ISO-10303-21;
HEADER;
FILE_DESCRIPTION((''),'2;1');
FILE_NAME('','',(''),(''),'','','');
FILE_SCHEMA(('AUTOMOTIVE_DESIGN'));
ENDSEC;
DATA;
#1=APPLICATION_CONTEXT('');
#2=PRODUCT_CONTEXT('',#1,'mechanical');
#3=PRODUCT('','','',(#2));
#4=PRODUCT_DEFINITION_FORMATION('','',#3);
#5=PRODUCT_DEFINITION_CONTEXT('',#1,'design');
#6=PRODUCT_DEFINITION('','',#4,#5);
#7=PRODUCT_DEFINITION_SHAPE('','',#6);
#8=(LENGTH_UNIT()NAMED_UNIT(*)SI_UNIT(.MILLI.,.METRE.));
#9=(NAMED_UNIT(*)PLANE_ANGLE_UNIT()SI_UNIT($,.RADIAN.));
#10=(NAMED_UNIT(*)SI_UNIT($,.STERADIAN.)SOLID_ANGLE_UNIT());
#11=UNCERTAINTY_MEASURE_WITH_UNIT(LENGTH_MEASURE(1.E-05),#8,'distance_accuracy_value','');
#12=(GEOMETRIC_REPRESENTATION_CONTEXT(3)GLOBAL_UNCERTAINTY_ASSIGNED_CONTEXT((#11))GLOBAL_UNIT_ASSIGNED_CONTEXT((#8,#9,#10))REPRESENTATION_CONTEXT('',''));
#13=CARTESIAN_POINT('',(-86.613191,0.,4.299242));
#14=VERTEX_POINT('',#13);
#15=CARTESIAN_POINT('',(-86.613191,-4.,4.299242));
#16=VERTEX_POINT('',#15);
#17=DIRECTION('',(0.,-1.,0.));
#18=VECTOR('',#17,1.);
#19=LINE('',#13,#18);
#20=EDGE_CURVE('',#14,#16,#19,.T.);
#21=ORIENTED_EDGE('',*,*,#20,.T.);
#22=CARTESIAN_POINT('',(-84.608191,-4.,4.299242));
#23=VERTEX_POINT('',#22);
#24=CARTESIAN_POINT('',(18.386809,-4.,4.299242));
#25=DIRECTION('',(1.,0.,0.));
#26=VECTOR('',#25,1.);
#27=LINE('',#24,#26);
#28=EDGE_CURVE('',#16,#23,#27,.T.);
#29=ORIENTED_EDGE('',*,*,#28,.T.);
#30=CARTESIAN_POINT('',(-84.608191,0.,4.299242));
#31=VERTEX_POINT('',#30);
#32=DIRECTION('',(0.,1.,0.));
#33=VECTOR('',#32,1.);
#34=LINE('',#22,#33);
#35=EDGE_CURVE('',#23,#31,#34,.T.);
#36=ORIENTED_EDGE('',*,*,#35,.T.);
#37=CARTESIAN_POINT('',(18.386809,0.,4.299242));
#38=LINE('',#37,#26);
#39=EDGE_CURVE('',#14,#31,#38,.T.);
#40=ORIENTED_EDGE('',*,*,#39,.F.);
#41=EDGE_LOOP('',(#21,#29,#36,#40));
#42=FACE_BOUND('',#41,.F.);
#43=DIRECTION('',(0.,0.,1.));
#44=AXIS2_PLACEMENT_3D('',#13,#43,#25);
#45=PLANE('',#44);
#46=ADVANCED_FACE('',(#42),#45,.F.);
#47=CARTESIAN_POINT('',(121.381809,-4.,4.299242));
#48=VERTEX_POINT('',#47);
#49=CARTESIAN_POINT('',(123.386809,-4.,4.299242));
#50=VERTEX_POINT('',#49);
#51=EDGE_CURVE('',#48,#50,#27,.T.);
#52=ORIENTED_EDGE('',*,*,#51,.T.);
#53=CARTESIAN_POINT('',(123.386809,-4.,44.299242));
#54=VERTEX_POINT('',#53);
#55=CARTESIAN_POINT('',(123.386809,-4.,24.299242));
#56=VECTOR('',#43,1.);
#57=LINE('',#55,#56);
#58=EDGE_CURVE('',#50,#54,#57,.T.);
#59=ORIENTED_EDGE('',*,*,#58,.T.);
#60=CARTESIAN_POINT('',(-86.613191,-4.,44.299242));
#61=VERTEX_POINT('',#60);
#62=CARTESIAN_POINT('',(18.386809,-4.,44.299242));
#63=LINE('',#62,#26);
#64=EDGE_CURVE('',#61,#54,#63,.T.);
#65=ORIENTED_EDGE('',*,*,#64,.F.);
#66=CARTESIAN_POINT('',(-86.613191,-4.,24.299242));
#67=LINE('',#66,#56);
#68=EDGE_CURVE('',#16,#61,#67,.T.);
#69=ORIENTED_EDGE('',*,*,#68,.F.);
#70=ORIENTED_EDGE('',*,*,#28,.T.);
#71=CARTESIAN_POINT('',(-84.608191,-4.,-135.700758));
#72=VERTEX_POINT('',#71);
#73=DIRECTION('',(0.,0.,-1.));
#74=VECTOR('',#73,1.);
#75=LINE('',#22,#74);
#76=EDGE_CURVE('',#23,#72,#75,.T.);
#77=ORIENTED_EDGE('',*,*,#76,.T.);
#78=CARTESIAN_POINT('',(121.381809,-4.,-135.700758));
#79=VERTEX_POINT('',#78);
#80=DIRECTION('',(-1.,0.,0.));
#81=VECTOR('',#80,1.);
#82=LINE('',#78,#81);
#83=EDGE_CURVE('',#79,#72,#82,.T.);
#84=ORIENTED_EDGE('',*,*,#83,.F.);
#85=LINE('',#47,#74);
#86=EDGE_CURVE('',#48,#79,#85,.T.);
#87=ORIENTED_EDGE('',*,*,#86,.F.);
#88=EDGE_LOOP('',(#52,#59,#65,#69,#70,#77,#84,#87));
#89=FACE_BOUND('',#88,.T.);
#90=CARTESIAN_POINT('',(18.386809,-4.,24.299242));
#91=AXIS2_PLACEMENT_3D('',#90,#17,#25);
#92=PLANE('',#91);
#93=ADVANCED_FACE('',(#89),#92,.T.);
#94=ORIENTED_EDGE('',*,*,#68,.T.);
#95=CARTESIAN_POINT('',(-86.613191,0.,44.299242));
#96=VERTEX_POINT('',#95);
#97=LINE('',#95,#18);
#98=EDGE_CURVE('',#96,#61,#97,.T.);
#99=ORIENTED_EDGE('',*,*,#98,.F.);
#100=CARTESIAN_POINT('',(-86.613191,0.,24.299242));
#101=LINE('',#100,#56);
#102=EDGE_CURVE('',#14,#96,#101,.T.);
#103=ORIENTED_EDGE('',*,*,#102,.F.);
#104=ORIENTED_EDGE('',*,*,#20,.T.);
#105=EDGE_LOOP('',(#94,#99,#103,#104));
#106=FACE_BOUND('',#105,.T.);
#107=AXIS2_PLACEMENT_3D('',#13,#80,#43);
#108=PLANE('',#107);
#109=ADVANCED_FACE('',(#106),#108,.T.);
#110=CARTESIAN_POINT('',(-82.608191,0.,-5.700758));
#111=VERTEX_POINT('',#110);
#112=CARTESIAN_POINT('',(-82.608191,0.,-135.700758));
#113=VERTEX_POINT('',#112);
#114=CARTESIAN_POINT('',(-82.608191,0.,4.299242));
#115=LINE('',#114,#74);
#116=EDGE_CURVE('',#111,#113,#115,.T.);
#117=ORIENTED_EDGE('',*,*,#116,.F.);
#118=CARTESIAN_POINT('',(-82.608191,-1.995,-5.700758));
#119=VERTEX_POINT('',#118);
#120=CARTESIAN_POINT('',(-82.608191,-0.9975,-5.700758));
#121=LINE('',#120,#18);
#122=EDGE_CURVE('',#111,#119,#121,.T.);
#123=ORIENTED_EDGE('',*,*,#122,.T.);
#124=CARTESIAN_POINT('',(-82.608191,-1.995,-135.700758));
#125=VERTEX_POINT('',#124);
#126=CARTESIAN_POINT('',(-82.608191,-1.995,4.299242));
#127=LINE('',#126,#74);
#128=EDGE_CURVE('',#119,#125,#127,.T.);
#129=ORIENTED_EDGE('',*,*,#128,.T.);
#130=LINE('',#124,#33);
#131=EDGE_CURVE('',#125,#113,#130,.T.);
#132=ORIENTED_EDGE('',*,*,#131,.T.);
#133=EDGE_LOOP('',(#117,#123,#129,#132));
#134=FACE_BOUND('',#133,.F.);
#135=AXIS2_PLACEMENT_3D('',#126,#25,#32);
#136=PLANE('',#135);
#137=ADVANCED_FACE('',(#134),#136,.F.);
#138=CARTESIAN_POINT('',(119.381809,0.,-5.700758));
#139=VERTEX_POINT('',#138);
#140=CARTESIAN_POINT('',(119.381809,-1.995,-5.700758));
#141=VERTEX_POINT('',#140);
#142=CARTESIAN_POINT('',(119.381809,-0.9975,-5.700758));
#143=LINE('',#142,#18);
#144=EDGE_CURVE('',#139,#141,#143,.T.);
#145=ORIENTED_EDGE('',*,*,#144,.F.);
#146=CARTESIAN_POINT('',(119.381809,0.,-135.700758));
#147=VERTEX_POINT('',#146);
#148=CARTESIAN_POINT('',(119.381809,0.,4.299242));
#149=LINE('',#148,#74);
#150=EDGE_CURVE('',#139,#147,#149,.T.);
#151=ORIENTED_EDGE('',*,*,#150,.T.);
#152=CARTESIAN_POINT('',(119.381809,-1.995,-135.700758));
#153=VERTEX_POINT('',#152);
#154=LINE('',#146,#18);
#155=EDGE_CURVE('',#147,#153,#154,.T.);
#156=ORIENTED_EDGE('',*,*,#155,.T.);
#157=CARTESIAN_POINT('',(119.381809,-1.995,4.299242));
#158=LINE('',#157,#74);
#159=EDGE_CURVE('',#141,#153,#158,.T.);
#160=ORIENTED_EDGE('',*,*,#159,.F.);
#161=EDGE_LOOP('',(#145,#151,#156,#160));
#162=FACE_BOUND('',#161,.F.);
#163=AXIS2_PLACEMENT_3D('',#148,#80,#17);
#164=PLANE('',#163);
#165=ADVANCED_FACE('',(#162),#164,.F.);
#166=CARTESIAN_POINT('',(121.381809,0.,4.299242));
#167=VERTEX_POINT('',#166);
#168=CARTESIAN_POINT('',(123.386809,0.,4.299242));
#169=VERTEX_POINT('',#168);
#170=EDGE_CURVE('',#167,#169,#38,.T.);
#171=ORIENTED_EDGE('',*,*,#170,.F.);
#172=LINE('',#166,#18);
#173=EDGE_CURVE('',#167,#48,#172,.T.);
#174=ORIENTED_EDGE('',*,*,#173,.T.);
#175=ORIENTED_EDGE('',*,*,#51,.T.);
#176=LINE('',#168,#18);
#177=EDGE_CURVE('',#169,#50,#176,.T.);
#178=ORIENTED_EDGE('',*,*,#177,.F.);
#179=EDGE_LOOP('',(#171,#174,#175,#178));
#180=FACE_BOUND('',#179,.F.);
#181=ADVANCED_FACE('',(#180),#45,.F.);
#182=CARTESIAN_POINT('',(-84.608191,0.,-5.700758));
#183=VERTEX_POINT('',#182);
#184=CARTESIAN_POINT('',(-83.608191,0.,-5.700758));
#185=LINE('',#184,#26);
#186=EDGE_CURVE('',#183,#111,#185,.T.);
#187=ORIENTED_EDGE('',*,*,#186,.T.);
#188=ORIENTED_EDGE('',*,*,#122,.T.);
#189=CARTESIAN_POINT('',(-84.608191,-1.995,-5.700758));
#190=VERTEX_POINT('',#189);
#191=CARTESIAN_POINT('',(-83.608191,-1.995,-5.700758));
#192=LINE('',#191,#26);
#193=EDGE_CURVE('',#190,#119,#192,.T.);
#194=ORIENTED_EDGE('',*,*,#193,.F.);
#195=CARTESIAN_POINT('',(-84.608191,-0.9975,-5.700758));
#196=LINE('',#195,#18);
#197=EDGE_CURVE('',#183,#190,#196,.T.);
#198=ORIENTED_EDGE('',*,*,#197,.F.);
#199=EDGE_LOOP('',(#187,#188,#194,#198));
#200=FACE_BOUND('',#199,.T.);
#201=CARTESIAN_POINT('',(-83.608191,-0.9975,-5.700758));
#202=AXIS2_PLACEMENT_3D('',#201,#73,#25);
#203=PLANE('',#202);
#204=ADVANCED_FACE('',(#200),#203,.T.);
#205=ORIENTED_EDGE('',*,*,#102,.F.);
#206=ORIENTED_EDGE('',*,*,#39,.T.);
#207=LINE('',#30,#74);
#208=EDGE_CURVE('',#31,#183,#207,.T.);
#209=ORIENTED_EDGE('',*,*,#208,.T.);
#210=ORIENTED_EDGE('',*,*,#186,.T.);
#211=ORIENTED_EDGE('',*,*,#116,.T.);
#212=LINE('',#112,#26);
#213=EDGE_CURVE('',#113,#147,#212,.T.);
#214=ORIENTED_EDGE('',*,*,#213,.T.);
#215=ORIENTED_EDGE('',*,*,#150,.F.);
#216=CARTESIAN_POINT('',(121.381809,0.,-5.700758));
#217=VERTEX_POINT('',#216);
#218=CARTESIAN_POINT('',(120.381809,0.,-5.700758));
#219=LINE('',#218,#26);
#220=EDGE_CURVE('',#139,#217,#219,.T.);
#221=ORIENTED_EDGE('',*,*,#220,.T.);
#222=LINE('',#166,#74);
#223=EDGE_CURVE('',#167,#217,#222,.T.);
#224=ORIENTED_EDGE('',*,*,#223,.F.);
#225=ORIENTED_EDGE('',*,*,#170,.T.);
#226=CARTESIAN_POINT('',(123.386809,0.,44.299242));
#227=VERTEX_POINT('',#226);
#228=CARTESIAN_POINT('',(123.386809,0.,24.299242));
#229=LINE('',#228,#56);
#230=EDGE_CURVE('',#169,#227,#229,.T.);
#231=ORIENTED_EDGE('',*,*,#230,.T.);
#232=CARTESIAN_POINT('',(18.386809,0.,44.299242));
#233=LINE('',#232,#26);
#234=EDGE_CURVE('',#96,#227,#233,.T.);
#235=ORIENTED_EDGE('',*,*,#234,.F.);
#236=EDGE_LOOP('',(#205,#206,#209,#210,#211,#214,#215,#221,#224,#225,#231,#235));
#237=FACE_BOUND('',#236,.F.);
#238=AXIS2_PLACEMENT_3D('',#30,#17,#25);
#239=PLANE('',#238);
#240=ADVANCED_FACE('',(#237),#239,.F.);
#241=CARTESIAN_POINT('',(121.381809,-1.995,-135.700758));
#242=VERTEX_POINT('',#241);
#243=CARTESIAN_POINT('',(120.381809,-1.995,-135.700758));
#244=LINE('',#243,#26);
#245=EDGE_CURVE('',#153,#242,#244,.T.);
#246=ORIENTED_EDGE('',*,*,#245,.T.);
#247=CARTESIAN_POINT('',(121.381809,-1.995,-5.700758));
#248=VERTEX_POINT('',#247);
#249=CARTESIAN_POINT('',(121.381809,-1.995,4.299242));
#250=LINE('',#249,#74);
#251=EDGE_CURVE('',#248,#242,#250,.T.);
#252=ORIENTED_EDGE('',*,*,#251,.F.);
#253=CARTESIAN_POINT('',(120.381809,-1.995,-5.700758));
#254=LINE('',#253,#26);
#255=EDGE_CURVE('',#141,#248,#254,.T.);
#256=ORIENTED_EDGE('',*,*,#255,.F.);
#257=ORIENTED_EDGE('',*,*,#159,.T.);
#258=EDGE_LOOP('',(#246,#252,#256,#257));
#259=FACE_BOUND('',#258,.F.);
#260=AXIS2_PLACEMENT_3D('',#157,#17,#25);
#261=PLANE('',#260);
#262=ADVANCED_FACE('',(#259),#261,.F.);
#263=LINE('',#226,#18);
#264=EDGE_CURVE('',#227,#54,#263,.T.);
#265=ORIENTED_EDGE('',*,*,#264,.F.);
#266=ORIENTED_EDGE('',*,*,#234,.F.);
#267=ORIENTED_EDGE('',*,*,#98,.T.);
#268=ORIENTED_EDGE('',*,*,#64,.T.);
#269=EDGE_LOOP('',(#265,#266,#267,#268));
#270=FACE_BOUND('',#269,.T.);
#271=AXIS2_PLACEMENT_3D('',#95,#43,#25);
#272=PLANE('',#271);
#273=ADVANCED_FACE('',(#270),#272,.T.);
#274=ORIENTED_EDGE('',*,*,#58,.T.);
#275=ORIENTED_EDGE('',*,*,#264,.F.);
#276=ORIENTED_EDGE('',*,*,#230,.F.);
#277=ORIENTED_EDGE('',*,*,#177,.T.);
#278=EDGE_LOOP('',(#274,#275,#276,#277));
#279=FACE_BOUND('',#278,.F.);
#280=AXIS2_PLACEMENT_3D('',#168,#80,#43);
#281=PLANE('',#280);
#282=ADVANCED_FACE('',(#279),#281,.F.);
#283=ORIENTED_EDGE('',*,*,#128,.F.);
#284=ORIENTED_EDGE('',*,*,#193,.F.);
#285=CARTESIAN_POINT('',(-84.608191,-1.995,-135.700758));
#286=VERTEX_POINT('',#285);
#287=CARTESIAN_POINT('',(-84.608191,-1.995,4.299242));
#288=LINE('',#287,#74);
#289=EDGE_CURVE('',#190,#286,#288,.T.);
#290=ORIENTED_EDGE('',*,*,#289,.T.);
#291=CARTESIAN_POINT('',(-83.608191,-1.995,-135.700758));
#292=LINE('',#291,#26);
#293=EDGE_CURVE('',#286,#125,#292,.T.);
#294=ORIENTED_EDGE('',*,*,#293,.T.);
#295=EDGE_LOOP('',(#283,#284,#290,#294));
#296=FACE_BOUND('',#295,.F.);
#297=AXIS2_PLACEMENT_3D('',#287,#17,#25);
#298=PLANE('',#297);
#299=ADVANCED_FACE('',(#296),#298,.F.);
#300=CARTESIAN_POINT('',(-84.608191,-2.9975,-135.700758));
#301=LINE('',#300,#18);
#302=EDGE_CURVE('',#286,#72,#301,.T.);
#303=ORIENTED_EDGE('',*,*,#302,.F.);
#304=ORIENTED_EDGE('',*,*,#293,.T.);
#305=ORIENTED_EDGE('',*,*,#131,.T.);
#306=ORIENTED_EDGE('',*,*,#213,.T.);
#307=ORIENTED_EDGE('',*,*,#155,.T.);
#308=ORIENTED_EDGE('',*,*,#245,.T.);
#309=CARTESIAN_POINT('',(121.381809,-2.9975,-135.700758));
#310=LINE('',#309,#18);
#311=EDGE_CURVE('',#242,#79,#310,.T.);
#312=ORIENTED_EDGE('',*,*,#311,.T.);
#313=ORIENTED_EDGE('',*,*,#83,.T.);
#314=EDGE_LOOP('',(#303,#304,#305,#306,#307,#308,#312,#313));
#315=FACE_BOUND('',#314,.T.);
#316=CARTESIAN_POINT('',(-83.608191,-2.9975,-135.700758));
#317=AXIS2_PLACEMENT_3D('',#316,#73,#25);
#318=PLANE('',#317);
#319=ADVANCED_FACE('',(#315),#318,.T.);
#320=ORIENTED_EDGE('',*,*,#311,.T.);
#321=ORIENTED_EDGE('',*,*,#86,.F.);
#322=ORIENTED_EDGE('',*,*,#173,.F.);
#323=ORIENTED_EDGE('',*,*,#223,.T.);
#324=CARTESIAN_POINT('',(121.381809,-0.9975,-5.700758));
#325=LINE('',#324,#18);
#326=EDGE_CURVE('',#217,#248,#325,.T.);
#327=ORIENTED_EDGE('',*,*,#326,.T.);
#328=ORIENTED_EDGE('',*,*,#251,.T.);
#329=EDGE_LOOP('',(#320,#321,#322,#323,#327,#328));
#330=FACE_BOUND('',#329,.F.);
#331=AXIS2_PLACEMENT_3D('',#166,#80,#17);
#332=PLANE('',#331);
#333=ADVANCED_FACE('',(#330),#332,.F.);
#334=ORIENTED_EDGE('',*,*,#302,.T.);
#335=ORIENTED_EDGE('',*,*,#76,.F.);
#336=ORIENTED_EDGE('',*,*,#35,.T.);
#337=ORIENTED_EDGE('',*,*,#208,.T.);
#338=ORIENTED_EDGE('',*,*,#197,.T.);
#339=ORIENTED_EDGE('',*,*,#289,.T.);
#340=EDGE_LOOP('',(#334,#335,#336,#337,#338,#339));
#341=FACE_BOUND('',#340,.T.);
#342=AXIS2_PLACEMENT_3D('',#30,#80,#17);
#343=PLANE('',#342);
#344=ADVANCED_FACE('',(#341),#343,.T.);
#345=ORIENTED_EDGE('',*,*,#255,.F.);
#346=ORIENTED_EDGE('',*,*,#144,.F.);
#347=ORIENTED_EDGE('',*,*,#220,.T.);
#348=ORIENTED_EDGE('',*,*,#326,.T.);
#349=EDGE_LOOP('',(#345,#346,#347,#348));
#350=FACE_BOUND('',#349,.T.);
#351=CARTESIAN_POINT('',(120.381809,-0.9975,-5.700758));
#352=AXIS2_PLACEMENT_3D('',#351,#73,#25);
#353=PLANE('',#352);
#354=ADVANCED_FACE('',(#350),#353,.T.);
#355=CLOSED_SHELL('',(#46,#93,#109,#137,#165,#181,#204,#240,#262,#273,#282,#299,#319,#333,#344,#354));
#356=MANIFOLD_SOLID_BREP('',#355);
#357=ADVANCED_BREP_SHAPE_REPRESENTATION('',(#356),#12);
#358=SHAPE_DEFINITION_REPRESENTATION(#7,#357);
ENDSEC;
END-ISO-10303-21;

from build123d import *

# Parameters (mm, degrees)
F0_W     = 210
F0_H     = 40
F1_DEPTH = 4
F2_W     = 2
F2_H     = 2.005
F3_DEPTH = 140
F4_W     = 2
F4_H     = 1.995
F5_DEPTH = 10
F6_W     = 2
F6_H     = 1.995
F7_DEPTH = 10


with BuildPart() as f1:
    # F0 (on Front) → F1 (new body)
    with BuildSketch(Plane.XZ):
        with Locations((18.386809, 24.299242)):
            Rectangle(F0_W, F0_H)
    extrude(amount=F1_DEPTH)

    # F2 (on face) → F3 (join)
    with BuildSketch(Plane(origin=(0, 0, 4.299242), x_dir=(1, 0, 0), z_dir=(0, 0, -1))):
        with Locations((-83.608191, 2.9975)):
            Rectangle(F2_W, F2_H)
        Polygon((-82.608191, 4), (-82.608191, 1.995), (-82.608191, 0), (119.381809, 0), (119.381809, 1.995), (119.381809, 4), align=None)
        with Locations((120.381809, 2.9975)):
            Rectangle(F2_W, F2_H)
    extrude(amount=F3_DEPTH)

    # F4 (on face) → F5 (join)
    with BuildSketch(Plane(origin=(0, 0, 4.299242), x_dir=(1, 0, 0), z_dir=(0, 0, -1))):
        with Locations((120.381809, 0.9975)):
            Rectangle(F4_W, F4_H)
    extrude(amount=F5_DEPTH)

    # F6 (on face) → F7 (join)
    with BuildSketch(Plane(origin=(0, 0, 4.299242), x_dir=(1, 0, 0), z_dir=(0, 0, -1))):
        with Locations((-83.608191, 0.9975)):
            Rectangle(F6_W, F6_H)
    extrude(amount=F7_DEPTH)


solid = f1.part
